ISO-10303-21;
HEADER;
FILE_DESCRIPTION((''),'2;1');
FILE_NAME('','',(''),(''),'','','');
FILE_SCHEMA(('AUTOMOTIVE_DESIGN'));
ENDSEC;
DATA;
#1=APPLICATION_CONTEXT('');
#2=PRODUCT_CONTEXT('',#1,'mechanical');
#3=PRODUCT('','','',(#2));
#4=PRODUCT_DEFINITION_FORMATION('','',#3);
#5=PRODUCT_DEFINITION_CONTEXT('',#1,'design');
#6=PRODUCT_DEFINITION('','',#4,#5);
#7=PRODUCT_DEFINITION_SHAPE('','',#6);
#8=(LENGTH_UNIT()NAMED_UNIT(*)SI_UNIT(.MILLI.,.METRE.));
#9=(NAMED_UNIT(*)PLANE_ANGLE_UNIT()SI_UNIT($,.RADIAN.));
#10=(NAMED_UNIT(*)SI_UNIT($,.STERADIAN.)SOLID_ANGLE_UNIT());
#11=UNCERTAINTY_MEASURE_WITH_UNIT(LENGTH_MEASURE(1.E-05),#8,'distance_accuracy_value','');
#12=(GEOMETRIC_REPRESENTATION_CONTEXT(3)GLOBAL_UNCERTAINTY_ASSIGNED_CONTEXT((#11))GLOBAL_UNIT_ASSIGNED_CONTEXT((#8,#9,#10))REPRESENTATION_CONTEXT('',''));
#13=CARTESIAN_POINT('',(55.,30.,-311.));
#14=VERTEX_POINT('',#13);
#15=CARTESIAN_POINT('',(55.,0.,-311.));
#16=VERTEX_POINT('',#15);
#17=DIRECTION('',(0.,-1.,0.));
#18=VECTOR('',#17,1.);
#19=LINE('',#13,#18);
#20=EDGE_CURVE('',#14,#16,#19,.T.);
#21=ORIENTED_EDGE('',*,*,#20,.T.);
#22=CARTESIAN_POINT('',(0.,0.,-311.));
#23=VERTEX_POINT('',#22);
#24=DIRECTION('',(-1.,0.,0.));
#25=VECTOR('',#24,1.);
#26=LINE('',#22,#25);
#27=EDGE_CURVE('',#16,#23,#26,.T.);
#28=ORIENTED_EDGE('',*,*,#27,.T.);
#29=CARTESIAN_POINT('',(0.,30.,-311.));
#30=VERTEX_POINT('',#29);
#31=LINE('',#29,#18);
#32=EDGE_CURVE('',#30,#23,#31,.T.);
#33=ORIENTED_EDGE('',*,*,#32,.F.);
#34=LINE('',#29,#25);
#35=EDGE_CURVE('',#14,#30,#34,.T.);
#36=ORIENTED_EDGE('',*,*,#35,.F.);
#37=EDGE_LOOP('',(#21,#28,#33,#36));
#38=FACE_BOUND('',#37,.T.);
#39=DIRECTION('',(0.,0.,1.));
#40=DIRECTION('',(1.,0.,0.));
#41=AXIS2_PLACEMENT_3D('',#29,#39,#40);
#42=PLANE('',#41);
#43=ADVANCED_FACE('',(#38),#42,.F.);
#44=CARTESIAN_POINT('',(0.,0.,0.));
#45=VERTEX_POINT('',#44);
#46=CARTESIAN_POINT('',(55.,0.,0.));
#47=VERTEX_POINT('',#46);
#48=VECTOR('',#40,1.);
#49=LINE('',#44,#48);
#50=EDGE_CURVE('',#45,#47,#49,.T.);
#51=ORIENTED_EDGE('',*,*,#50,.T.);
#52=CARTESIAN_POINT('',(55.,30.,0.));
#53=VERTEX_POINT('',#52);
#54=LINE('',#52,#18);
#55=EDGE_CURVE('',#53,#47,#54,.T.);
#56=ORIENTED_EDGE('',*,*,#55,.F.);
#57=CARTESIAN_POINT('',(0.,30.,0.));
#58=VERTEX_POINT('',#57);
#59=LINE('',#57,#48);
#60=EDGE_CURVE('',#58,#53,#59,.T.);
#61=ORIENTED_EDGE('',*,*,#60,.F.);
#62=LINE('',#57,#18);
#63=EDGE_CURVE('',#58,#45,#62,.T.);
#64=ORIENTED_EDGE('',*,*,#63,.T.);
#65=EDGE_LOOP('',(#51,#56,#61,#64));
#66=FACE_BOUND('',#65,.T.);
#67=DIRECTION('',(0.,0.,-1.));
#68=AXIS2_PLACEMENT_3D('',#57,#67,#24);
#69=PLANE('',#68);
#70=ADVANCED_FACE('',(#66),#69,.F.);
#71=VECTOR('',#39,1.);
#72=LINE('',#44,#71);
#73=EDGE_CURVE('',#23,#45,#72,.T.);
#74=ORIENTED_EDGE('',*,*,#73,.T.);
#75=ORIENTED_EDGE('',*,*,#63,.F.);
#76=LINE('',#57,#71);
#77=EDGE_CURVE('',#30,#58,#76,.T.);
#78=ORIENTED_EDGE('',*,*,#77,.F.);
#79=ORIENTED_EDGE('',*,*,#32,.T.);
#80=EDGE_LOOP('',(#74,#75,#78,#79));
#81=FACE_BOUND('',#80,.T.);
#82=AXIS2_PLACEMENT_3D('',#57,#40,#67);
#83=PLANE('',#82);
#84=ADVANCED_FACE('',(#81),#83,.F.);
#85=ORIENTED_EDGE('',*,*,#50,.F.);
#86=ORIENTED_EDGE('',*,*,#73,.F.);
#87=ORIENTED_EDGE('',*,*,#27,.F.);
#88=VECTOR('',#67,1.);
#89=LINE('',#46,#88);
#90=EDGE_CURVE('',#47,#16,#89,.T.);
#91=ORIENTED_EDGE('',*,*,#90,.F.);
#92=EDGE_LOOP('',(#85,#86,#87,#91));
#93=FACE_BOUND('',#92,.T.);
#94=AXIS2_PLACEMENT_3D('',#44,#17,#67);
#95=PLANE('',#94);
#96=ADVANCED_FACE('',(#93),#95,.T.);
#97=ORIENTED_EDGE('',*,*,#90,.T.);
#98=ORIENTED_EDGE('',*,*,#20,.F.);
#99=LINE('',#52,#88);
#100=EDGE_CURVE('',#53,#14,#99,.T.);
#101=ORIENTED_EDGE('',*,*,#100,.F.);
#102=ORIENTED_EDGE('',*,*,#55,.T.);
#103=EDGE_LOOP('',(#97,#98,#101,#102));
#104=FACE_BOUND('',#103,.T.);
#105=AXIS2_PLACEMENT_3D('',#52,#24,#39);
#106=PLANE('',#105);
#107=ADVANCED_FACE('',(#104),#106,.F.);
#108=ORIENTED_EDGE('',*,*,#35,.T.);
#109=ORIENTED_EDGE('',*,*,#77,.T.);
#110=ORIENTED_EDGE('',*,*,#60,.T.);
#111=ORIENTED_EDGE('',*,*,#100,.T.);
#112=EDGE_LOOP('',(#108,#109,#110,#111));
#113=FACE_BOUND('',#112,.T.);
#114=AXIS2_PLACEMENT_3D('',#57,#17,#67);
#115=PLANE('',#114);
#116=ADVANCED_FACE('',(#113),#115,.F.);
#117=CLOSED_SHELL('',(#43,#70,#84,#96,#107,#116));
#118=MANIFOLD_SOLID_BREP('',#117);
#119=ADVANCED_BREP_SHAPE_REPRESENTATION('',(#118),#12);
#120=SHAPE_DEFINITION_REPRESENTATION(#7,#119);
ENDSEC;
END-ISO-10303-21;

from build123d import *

# Parameters (mm, degrees)
SKETCH_1_W      = 55
SKETCH_1_H      = 311
EXTRUDE_1_DEPTH = 30


with BuildPart() as part:
    # Эскиз1 → Бобышка-Вытянуть1 (new body)
    with BuildSketch(Plane(origin=(0, 0, 0), x_dir=(1, 0, 0), z_dir=(0, 1, 0))):
        with Locations((27.5, 155.5)):
            Rectangle(SKETCH_1_W, SKETCH_1_H)
    extrude(amount=EXTRUDE_1_DEPTH)


solid = part.part
